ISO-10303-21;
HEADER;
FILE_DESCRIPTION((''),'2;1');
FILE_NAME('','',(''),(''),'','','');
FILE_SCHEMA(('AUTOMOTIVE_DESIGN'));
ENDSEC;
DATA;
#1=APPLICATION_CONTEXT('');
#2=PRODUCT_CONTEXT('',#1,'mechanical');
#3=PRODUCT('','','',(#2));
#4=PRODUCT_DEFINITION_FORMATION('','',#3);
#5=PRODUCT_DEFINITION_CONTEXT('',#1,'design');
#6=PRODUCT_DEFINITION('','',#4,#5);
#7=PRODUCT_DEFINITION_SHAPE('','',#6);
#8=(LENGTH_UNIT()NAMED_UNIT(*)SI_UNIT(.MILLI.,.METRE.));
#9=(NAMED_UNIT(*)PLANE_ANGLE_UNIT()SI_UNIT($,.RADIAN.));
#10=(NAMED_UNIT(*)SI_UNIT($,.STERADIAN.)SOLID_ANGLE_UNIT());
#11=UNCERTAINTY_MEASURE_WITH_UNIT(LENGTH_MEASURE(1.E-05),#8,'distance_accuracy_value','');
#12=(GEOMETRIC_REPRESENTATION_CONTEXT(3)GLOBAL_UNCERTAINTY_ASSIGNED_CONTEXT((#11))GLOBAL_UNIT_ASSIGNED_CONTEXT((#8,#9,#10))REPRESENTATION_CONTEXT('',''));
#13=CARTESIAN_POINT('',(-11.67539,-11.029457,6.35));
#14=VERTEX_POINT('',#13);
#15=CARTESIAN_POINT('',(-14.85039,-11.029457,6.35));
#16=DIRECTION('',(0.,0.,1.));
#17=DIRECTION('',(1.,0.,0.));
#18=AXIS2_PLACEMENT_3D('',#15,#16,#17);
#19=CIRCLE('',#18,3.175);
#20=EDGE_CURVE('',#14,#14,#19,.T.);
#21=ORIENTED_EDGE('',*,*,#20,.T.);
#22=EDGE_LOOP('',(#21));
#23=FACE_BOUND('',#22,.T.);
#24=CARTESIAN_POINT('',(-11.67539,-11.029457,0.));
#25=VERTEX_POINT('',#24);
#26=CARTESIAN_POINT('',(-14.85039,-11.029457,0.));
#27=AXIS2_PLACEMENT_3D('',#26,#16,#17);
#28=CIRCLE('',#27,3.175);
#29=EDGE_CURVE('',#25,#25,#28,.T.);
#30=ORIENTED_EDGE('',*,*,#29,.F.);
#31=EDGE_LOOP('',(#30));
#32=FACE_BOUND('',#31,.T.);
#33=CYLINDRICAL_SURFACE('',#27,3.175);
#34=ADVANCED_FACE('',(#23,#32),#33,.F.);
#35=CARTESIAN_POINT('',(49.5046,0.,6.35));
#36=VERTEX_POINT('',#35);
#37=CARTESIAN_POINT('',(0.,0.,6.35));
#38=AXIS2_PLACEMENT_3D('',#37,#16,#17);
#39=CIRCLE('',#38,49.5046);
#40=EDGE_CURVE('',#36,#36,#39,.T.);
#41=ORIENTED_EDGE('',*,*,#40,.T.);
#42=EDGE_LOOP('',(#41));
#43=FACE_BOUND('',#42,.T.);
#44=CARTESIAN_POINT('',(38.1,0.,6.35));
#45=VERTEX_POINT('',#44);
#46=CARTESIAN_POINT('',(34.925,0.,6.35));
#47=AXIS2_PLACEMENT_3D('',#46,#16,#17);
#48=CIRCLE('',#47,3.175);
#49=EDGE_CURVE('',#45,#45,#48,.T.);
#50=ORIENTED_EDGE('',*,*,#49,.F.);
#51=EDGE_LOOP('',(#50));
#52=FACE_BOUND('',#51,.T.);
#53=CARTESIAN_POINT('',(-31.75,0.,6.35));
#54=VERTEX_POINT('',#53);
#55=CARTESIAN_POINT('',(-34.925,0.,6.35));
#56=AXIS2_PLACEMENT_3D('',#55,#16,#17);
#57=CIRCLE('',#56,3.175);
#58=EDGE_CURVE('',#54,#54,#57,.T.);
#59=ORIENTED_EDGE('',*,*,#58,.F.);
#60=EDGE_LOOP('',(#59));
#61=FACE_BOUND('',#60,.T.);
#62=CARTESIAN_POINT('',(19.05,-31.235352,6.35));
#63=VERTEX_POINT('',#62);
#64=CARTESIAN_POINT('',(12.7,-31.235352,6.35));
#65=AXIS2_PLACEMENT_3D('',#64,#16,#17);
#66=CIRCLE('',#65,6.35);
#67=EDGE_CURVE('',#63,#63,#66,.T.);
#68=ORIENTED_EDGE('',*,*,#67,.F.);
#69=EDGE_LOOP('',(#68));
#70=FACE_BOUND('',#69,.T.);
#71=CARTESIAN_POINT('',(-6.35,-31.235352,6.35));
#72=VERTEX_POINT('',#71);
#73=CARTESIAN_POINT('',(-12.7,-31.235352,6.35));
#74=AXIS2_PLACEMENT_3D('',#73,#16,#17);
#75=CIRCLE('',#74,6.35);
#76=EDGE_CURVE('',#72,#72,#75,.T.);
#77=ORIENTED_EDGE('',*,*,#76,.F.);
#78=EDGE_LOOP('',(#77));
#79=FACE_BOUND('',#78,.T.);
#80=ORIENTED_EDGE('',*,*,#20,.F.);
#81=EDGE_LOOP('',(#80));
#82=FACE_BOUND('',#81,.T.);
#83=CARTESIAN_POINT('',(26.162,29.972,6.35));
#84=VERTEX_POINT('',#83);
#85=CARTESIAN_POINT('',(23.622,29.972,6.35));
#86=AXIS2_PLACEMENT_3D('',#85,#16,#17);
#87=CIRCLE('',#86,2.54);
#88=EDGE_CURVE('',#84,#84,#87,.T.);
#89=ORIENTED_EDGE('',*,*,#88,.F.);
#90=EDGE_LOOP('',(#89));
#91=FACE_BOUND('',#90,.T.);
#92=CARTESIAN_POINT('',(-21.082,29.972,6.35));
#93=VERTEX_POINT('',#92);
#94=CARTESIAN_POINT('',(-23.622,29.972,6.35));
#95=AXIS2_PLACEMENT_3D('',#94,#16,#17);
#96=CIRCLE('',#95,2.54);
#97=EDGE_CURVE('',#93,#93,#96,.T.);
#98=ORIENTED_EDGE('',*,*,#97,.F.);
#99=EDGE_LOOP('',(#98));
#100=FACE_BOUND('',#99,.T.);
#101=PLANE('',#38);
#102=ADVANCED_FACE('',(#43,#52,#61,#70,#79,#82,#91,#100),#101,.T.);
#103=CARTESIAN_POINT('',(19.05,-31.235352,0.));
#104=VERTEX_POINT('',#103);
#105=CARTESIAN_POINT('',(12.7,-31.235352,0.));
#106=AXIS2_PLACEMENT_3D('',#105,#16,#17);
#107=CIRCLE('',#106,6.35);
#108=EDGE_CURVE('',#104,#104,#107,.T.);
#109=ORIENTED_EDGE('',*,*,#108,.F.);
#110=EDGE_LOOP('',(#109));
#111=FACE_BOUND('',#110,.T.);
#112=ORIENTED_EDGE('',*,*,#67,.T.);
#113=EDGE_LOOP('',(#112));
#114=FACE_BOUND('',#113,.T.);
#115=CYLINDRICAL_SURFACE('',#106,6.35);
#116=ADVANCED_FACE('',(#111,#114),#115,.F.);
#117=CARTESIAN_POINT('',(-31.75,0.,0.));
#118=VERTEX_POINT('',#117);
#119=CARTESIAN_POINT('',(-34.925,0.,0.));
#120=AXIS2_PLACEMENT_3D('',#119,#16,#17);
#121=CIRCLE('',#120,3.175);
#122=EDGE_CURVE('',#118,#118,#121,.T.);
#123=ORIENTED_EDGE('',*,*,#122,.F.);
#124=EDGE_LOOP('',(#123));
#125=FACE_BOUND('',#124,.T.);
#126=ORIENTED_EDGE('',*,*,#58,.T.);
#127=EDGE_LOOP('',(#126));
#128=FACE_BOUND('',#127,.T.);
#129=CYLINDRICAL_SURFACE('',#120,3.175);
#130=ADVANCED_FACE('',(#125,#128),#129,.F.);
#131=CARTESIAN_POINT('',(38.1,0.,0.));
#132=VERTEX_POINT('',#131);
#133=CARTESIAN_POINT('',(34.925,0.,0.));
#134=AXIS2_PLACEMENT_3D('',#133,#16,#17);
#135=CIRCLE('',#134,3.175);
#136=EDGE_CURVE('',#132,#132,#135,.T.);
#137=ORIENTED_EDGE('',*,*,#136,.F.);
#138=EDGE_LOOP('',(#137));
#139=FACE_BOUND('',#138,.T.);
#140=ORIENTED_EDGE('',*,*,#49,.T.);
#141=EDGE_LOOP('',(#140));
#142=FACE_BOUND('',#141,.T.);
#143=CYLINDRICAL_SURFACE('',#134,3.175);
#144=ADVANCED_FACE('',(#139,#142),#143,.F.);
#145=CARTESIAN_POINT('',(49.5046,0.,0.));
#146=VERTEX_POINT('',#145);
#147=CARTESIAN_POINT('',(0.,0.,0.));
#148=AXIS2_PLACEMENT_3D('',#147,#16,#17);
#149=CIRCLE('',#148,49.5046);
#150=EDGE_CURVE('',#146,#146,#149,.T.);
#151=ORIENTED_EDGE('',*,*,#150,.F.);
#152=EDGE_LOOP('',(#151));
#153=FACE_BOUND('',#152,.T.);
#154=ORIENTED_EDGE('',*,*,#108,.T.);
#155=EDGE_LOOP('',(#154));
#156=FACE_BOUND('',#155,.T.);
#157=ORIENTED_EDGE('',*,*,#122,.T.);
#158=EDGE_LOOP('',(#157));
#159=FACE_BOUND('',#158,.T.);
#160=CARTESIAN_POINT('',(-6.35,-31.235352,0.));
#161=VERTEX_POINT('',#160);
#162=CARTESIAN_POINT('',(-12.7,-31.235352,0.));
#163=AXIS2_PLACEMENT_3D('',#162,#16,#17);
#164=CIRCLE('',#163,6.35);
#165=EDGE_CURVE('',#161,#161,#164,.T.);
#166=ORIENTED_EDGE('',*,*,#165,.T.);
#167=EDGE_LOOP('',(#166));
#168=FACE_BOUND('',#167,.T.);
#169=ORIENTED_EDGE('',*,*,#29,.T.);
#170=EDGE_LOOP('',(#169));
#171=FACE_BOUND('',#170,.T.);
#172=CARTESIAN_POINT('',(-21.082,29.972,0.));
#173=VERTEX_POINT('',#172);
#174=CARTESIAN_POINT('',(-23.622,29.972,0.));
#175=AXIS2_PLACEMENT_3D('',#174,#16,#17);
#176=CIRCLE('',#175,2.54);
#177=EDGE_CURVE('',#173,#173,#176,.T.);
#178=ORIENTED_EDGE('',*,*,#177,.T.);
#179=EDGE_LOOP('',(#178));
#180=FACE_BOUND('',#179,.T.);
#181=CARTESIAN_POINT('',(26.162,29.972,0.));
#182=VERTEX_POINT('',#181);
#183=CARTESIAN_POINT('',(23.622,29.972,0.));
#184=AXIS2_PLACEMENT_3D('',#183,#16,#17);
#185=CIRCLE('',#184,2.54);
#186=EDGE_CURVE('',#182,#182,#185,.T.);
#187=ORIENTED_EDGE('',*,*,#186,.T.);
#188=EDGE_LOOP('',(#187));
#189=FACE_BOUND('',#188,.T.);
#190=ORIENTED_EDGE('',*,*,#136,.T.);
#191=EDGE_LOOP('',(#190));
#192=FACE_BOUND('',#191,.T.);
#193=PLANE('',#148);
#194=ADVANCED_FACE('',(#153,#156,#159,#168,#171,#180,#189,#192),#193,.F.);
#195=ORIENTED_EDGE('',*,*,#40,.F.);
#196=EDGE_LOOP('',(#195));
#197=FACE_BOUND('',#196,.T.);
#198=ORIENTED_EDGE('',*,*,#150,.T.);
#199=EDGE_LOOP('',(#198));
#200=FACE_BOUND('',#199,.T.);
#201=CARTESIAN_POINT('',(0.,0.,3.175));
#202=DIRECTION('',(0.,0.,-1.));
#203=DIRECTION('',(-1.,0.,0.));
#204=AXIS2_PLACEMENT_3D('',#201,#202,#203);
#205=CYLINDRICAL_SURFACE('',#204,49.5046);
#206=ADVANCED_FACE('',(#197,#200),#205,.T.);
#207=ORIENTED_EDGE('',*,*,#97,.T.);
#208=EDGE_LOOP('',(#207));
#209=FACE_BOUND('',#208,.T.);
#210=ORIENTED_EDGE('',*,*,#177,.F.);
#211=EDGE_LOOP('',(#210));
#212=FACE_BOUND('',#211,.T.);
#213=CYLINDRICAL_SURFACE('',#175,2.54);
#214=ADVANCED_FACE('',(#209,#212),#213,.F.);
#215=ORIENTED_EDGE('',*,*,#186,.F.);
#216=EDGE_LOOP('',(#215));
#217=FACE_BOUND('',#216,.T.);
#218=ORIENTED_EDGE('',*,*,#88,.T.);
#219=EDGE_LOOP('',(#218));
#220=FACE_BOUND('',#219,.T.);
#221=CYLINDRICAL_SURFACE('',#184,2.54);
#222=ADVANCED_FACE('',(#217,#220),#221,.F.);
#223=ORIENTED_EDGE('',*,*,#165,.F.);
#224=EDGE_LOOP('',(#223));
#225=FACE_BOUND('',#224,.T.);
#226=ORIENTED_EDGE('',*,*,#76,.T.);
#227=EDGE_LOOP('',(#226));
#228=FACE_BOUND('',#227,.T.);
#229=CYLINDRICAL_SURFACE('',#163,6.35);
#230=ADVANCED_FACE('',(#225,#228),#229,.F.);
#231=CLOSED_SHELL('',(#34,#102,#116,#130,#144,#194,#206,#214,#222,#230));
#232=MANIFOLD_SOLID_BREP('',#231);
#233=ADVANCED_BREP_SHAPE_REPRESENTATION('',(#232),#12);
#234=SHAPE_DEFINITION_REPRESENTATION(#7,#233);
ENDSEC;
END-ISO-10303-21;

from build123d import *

# Parameters (mm, degrees)
SKETCH1_R           = 49.5046
BOSS_EXTRUDE1_DEPTH = 3.175
SKETCH2_R           = 47.6885
BOSS_EXTRUDE2_DEPTH = 3.175
SKETCH3_R           = 6.35
SKETCH3_R_2         = 3.175
SKETCH3_R_3         = 11.1125
SKETCH3_R_4         = 2.54
CUT_EXTRUDE1_DEPTH  = 71.297463271
BOSS_EXTRUDE3_START = -3.175
SKETCH4_R           = 49.5046
SKETCH4_R_2         = 47.6885
BOSS_EXTRUDE3_DEPTH = 3.175
SKETCH5_R           = 11.1125
BOSS_EXTRUDE4_DEPTH = 6.35
SKETCH6_R           = 2.54
BOSS_EXTRUDE5_DEPTH = 6.35


with BuildPart() as part:
    # Sketch1 → Boss-Extrude1 (new body)
    with BuildSketch(Plane.XY):
        Circle(SKETCH1_R)
    extrude(amount=BOSS_EXTRUDE1_DEPTH)

    # Sketch2 → Boss-Extrude2 (add)
    with BuildSketch(Plane.XY.offset(3.175)):
        Circle(SKETCH2_R)
    extrude(amount=BOSS_EXTRUDE2_DEPTH)

    # Sketch3 → Cut-Extrude1 (cut, through all)
    with BuildSketch(Plane.XY.offset(6.35)):
        with Locations((-12.7, -31.235352443)):
            Circle(SKETCH3_R)
        with Locations((12.7, -31.235352443)):
            Circle(SKETCH3_R)
        with Locations((-34.925, 0)):
            Circle(SKETCH3_R_2)
        with Locations((34.925, 0)):
            Circle(SKETCH3_R_2)
        with Locations((0, 6.35)):
            Circle(SKETCH3_R_3)
        with Locations((-14.850390051, -11.029456704)):
            Circle(SKETCH3_R_2)
        with Locations((-23.622, 29.972)):
            Circle(SKETCH3_R_4)
        with Locations((23.622, 29.972)):
            Circle(SKETCH3_R_4)
        with Locations((23.622, -17.272)):
            Circle(SKETCH3_R_4)
        with Locations((-23.622, -17.272)):
            Circle(SKETCH3_R_4)
    extrude(amount=-CUT_EXTRUDE1_DEPTH, mode=Mode.SUBTRACT)

    # Sketch4 → Boss-Extrude3 (add)
    with BuildSketch(Plane.XY.offset(6.35).offset(BOSS_EXTRUDE3_START)):
        Circle(SKETCH4_R)
        Circle(SKETCH4_R_2, mode=Mode.SUBTRACT)
    extrude(amount=BOSS_EXTRUDE3_DEPTH)

    # Sketch5 → Boss-Extrude4 (add)
    with BuildSketch(Plane.XY.offset(6.35)):
        with Locations((0, 6.35)):
            Circle(SKETCH5_R)
    extrude(amount=-BOSS_EXTRUDE4_DEPTH)

    # Sketch6 → Boss-Extrude5 (add)
    with BuildSketch(Plane.XY.offset(6.35)):
        with Locations((-23.622, -17.272)):
            Circle(SKETCH6_R)
        with Locations((23.622, -17.272)):
            Circle(SKETCH6_R)
    extrude(amount=-BOSS_EXTRUDE5_DEPTH)


solid = part.part
